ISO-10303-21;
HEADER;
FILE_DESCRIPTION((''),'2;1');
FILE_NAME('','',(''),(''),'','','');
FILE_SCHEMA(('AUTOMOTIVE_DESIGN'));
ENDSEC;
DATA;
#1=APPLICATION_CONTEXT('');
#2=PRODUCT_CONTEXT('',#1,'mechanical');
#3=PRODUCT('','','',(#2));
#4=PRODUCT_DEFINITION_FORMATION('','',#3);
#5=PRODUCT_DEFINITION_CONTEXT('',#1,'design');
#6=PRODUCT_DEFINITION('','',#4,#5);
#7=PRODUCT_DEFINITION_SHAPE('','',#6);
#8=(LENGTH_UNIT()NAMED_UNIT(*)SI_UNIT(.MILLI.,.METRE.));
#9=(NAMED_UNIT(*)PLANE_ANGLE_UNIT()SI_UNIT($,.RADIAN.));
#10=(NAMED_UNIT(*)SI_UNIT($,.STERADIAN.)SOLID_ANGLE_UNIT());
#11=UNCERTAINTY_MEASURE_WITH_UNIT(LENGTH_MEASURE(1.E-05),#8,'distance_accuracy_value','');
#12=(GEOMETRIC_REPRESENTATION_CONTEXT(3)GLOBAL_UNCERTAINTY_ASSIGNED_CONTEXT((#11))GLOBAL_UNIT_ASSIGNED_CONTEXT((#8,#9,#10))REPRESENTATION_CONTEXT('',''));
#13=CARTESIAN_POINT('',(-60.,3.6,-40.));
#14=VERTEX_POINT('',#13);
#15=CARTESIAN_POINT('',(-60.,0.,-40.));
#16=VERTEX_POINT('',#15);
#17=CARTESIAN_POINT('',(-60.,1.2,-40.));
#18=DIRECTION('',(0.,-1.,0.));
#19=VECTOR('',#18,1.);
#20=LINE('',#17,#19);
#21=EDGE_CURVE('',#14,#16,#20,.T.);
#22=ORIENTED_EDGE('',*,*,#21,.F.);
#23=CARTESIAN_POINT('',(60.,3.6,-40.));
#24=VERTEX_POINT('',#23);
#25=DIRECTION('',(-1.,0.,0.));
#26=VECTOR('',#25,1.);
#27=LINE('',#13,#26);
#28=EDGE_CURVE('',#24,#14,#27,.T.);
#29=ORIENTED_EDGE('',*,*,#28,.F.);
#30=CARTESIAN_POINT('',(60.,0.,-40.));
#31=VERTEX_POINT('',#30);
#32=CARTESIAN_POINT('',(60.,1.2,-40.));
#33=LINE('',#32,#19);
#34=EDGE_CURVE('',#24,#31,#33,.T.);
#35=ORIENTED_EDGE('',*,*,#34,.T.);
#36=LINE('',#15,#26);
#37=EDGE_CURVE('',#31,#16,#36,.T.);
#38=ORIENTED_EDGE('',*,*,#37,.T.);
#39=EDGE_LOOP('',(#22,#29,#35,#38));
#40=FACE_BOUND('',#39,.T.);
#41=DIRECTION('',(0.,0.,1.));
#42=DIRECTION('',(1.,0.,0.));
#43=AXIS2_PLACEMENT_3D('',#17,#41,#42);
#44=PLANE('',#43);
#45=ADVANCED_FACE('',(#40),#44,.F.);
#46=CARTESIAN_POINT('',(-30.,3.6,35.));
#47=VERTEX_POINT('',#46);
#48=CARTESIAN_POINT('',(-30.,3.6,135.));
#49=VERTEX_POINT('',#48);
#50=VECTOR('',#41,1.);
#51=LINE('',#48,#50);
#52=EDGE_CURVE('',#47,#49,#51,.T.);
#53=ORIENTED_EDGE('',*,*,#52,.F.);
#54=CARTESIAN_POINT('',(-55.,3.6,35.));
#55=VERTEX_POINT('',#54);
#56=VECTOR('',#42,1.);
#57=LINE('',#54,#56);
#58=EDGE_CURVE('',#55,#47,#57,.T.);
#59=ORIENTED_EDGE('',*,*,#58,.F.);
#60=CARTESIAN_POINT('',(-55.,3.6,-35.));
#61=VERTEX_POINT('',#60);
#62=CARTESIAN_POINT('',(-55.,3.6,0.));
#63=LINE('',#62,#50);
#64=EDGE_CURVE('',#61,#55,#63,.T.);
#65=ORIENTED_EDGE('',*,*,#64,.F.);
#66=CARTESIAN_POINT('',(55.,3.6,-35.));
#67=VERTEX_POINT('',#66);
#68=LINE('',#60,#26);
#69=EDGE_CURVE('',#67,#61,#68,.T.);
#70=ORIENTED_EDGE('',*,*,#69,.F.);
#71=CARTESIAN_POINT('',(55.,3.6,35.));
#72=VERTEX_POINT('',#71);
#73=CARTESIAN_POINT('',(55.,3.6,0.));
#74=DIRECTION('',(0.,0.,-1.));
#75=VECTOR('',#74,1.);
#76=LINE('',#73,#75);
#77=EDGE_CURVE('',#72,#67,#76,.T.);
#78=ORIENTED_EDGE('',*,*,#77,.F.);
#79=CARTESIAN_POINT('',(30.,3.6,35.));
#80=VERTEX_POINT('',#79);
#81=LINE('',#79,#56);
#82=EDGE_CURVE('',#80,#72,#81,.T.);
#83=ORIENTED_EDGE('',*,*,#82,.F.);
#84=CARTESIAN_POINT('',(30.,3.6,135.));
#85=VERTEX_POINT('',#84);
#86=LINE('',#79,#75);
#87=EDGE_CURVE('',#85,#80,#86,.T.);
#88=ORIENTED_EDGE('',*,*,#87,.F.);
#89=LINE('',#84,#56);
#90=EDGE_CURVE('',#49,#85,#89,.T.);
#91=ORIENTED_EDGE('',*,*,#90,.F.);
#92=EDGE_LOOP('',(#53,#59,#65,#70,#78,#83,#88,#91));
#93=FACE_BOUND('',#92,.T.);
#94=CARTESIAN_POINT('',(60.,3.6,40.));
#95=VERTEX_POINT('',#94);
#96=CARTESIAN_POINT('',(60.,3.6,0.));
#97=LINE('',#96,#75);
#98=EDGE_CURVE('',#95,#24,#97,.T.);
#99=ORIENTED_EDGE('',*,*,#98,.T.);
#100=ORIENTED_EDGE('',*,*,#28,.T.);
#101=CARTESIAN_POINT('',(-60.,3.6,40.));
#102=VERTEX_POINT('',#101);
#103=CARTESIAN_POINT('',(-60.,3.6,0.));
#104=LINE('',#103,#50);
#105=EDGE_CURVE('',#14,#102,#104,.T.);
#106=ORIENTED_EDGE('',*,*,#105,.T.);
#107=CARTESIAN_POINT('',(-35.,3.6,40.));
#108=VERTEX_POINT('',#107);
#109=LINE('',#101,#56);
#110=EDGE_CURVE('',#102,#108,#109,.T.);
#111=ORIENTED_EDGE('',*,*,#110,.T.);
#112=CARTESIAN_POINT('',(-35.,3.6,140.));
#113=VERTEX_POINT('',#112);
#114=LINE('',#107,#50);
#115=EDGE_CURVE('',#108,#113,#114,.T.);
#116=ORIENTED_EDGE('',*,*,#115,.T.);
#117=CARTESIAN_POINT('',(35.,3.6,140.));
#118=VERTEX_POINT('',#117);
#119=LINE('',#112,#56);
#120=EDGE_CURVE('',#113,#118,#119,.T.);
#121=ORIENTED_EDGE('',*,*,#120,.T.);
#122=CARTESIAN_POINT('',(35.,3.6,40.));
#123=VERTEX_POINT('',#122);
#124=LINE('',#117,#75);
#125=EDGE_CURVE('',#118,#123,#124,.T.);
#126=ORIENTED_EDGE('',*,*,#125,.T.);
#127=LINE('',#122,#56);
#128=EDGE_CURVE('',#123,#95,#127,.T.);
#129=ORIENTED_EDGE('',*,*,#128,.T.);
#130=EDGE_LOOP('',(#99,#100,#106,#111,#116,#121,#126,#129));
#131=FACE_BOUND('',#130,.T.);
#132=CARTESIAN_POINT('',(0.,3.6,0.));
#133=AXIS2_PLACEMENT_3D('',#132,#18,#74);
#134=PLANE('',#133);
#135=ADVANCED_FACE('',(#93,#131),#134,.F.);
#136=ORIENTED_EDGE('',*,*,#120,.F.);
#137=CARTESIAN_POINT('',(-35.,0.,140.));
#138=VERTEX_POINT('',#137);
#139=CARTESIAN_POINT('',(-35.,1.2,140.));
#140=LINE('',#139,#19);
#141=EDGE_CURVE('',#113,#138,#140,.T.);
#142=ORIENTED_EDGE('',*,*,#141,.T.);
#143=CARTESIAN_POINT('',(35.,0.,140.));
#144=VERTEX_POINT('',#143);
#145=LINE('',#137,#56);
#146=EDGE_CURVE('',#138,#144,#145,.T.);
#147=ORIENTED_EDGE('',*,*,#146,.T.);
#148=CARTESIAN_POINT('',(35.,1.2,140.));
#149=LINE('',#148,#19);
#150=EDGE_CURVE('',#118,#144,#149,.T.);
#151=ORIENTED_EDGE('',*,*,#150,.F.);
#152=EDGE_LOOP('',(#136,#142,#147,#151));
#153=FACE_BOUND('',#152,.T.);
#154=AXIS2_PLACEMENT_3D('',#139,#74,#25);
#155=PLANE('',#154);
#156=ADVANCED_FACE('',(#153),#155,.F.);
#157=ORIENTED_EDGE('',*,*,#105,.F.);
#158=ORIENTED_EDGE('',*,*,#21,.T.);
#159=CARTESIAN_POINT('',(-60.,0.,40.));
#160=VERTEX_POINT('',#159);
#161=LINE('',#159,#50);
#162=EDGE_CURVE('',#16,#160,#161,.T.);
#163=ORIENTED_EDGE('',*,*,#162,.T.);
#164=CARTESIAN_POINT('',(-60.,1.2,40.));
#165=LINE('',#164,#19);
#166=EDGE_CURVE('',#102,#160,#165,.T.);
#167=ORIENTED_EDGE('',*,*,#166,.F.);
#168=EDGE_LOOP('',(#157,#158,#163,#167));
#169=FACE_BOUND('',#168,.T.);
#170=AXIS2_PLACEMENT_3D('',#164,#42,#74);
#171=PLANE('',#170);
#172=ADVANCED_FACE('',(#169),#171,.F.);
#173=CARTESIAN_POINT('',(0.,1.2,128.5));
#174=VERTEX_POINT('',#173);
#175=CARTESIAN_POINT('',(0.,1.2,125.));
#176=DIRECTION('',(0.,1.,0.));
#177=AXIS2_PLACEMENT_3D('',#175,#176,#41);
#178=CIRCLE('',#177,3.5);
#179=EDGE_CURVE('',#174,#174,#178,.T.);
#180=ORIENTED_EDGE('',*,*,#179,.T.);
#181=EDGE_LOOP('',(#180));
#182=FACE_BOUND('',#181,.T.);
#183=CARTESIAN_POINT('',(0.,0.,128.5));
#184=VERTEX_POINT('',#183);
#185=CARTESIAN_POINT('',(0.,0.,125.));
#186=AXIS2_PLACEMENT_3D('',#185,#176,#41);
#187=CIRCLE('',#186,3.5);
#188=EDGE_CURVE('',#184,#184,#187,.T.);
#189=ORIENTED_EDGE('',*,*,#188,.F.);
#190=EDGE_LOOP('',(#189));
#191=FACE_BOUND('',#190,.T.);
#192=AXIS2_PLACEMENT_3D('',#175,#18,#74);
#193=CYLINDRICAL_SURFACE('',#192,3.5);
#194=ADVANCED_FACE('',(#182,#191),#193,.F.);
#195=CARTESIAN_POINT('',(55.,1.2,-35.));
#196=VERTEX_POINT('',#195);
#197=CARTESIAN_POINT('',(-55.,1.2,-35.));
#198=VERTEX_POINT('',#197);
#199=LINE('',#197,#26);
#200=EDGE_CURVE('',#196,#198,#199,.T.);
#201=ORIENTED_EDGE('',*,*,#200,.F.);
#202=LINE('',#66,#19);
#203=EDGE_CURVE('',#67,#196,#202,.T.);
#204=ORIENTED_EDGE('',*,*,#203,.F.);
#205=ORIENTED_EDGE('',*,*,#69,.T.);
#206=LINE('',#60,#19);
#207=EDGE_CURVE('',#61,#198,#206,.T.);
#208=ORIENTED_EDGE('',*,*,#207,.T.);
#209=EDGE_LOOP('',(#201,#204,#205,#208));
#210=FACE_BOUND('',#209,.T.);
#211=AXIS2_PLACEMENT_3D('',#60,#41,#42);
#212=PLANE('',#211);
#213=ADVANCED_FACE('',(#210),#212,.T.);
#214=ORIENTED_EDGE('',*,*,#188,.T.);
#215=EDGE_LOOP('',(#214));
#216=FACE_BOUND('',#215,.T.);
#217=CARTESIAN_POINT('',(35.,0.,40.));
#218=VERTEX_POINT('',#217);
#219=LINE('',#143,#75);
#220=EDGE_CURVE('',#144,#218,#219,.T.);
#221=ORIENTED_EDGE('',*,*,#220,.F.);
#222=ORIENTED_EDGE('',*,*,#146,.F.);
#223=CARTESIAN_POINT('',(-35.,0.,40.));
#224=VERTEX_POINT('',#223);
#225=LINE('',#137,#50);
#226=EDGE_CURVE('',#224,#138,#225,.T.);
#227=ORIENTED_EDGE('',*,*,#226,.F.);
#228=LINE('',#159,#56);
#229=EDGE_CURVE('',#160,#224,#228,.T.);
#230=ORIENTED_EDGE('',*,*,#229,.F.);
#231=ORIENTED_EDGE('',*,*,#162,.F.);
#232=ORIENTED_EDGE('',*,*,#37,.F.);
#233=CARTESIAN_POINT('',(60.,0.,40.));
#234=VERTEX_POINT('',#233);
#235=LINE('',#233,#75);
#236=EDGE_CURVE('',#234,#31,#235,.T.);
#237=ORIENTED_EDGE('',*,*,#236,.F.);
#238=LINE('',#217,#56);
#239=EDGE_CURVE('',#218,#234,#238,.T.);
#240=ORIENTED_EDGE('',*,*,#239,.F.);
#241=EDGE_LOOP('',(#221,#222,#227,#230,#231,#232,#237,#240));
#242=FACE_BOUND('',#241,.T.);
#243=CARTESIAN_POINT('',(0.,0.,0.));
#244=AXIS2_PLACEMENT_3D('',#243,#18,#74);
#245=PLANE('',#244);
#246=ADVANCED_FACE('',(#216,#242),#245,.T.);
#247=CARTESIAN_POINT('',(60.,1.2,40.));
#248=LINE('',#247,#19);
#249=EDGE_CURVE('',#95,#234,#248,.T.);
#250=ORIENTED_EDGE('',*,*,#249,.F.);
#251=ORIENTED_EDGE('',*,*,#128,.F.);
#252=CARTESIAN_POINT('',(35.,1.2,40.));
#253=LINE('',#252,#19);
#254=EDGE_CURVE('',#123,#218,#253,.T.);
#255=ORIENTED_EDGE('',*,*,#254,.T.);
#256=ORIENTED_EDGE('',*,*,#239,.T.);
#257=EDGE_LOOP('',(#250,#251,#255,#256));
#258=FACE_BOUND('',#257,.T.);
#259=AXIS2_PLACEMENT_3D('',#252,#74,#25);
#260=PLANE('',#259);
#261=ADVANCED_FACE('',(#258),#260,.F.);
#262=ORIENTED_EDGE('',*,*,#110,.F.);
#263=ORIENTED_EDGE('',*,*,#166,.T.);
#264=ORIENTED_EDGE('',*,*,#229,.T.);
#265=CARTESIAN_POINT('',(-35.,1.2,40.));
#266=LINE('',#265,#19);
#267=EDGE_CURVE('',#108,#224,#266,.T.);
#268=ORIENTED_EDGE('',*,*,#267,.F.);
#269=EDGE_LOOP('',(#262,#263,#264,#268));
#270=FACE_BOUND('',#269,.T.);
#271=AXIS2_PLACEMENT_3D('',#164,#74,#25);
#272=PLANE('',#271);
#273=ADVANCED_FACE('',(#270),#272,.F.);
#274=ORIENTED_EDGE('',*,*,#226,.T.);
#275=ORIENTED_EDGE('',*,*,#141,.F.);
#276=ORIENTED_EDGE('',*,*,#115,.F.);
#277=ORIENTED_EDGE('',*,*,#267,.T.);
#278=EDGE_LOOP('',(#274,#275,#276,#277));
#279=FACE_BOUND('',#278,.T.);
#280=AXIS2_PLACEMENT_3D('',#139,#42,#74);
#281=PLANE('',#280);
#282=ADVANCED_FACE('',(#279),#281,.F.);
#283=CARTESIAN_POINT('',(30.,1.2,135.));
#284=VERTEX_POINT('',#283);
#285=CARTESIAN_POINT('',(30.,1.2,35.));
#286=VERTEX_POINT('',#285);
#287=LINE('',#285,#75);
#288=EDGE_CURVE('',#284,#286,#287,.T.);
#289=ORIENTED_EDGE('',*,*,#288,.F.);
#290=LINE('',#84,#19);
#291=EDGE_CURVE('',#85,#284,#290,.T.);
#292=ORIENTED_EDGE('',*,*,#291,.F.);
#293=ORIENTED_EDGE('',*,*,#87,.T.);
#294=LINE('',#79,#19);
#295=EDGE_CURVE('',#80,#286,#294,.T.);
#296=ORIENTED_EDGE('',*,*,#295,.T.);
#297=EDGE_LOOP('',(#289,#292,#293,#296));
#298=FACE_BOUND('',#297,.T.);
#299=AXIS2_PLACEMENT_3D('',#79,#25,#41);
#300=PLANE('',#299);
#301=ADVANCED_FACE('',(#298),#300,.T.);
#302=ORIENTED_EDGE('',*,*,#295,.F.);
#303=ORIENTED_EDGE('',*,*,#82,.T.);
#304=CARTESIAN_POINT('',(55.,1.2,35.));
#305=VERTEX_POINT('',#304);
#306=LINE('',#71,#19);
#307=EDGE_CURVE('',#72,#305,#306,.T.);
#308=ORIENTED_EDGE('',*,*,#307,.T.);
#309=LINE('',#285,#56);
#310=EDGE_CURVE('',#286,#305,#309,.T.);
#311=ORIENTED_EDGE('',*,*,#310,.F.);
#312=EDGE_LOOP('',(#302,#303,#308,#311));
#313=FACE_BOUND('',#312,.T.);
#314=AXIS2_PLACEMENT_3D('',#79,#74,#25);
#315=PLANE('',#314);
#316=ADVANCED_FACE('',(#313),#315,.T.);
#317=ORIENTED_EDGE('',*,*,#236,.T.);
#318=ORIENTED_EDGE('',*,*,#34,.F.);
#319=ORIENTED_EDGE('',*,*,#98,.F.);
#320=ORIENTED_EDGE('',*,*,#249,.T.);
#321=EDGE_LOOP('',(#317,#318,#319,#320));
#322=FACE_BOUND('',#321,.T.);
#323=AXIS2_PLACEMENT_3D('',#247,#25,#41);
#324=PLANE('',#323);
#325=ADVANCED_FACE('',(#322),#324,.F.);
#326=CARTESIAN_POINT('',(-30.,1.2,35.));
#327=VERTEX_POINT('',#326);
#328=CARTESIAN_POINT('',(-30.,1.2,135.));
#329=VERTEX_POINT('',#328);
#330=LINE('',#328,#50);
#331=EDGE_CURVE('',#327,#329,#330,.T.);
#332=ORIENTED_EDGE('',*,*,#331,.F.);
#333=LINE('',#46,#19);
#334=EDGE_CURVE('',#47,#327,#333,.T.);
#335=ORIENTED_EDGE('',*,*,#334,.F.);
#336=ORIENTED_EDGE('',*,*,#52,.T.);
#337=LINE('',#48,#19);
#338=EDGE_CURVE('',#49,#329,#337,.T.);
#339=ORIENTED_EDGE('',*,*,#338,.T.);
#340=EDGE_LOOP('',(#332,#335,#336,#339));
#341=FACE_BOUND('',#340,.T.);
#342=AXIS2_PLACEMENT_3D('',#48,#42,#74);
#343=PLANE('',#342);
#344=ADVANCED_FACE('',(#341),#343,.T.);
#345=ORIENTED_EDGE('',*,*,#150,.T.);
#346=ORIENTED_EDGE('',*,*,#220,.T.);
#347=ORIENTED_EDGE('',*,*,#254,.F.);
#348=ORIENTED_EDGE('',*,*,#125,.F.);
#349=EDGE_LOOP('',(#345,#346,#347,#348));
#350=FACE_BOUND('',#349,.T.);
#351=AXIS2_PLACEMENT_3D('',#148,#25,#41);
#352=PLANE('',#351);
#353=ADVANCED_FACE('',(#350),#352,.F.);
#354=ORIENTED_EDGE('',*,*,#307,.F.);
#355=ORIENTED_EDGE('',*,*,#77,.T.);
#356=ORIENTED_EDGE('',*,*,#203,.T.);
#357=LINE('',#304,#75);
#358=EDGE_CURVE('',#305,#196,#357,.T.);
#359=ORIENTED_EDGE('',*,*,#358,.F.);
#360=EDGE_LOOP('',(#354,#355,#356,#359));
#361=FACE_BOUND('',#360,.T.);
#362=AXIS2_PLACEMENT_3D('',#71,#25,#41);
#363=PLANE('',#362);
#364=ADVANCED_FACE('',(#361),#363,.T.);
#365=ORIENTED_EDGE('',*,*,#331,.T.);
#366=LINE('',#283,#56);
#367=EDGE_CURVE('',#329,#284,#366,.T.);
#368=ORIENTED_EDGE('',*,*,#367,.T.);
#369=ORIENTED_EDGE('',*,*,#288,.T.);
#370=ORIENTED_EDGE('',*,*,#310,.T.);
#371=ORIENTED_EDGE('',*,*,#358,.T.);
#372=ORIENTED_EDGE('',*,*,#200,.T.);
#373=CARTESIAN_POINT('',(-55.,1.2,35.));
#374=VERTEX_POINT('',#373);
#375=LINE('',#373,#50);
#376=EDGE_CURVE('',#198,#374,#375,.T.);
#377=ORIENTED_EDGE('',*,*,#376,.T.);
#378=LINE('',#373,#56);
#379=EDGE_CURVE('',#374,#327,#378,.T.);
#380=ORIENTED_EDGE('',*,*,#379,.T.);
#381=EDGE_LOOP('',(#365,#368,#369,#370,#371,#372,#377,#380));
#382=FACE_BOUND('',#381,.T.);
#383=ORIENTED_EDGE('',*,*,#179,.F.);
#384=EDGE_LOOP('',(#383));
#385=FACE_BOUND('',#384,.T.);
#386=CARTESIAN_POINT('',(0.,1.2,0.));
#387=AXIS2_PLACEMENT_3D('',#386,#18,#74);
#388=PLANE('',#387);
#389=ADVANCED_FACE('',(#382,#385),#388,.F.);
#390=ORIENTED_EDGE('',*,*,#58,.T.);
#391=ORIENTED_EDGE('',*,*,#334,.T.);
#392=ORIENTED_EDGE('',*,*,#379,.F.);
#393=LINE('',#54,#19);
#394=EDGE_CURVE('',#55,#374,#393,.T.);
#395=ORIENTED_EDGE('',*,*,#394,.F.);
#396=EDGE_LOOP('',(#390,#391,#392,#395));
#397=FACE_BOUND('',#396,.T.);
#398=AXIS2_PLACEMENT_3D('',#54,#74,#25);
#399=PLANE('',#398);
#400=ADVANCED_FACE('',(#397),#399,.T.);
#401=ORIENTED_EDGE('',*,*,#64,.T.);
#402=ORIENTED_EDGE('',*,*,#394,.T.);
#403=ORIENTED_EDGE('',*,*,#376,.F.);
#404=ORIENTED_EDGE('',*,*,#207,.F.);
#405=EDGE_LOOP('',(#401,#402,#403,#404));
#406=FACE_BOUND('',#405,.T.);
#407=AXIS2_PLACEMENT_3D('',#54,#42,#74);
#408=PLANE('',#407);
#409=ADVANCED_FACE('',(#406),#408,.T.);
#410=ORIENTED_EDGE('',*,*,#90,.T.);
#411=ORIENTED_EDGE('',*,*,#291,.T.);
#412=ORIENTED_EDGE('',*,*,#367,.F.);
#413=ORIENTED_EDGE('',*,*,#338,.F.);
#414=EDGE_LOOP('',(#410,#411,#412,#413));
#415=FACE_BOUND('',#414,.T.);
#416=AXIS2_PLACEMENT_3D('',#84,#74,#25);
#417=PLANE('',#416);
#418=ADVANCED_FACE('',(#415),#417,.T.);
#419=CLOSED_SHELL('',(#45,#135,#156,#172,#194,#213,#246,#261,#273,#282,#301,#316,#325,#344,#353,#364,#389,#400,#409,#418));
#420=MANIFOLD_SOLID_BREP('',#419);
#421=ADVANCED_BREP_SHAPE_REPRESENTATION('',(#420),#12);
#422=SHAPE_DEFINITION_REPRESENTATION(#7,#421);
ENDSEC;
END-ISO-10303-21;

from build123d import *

# Parameters (mm, degrees)
SKETCH1_R           = 3.5
BOSS_EXTRUDE1_DEPTH = 1.2
BOSS_EXTRUDE2_DEPTH = 2.4


with BuildPart() as part:
    # Sketch1 → Boss-Extrude1 (new body)
    with BuildSketch(Plane(origin=(0, 0, 0), x_dir=(1, 0, 0), z_dir=(0, 1, 0))):
        Polygon((-60, -40), (-35, -40), (-35, -140), (35, -140), (35, -40), (60, -40), (60, 40), (-60, 40), align=None)
        with Locations(Location((0, -125, 0), (0, 0, 270))):
            Circle(SKETCH1_R, mode=Mode.SUBTRACT)
    extrude(amount=BOSS_EXTRUDE1_DEPTH)

    # Sketch2 → Boss-Extrude2 (add)
    with BuildSketch(Plane(origin=(0, 1.2, 0), x_dir=(1, 0, 0), z_dir=(0, 1, 0))):
        Polygon((-60, -40), (-35, -40), (-35, -140), (35, -140), (35, -40), (60, -40), (60, 0), (60, 40), (-60, 40), (-60, 0), align=None)
        Polygon((-55, -35), (-30, -35), (-30, -135), (30, -135), (30, -35), (55, -35), (55, 0), (55, 35), (-55, 35), (-55, 0), align=None, mode=Mode.SUBTRACT)
    extrude(amount=BOSS_EXTRUDE2_DEPTH)


solid = part.part
